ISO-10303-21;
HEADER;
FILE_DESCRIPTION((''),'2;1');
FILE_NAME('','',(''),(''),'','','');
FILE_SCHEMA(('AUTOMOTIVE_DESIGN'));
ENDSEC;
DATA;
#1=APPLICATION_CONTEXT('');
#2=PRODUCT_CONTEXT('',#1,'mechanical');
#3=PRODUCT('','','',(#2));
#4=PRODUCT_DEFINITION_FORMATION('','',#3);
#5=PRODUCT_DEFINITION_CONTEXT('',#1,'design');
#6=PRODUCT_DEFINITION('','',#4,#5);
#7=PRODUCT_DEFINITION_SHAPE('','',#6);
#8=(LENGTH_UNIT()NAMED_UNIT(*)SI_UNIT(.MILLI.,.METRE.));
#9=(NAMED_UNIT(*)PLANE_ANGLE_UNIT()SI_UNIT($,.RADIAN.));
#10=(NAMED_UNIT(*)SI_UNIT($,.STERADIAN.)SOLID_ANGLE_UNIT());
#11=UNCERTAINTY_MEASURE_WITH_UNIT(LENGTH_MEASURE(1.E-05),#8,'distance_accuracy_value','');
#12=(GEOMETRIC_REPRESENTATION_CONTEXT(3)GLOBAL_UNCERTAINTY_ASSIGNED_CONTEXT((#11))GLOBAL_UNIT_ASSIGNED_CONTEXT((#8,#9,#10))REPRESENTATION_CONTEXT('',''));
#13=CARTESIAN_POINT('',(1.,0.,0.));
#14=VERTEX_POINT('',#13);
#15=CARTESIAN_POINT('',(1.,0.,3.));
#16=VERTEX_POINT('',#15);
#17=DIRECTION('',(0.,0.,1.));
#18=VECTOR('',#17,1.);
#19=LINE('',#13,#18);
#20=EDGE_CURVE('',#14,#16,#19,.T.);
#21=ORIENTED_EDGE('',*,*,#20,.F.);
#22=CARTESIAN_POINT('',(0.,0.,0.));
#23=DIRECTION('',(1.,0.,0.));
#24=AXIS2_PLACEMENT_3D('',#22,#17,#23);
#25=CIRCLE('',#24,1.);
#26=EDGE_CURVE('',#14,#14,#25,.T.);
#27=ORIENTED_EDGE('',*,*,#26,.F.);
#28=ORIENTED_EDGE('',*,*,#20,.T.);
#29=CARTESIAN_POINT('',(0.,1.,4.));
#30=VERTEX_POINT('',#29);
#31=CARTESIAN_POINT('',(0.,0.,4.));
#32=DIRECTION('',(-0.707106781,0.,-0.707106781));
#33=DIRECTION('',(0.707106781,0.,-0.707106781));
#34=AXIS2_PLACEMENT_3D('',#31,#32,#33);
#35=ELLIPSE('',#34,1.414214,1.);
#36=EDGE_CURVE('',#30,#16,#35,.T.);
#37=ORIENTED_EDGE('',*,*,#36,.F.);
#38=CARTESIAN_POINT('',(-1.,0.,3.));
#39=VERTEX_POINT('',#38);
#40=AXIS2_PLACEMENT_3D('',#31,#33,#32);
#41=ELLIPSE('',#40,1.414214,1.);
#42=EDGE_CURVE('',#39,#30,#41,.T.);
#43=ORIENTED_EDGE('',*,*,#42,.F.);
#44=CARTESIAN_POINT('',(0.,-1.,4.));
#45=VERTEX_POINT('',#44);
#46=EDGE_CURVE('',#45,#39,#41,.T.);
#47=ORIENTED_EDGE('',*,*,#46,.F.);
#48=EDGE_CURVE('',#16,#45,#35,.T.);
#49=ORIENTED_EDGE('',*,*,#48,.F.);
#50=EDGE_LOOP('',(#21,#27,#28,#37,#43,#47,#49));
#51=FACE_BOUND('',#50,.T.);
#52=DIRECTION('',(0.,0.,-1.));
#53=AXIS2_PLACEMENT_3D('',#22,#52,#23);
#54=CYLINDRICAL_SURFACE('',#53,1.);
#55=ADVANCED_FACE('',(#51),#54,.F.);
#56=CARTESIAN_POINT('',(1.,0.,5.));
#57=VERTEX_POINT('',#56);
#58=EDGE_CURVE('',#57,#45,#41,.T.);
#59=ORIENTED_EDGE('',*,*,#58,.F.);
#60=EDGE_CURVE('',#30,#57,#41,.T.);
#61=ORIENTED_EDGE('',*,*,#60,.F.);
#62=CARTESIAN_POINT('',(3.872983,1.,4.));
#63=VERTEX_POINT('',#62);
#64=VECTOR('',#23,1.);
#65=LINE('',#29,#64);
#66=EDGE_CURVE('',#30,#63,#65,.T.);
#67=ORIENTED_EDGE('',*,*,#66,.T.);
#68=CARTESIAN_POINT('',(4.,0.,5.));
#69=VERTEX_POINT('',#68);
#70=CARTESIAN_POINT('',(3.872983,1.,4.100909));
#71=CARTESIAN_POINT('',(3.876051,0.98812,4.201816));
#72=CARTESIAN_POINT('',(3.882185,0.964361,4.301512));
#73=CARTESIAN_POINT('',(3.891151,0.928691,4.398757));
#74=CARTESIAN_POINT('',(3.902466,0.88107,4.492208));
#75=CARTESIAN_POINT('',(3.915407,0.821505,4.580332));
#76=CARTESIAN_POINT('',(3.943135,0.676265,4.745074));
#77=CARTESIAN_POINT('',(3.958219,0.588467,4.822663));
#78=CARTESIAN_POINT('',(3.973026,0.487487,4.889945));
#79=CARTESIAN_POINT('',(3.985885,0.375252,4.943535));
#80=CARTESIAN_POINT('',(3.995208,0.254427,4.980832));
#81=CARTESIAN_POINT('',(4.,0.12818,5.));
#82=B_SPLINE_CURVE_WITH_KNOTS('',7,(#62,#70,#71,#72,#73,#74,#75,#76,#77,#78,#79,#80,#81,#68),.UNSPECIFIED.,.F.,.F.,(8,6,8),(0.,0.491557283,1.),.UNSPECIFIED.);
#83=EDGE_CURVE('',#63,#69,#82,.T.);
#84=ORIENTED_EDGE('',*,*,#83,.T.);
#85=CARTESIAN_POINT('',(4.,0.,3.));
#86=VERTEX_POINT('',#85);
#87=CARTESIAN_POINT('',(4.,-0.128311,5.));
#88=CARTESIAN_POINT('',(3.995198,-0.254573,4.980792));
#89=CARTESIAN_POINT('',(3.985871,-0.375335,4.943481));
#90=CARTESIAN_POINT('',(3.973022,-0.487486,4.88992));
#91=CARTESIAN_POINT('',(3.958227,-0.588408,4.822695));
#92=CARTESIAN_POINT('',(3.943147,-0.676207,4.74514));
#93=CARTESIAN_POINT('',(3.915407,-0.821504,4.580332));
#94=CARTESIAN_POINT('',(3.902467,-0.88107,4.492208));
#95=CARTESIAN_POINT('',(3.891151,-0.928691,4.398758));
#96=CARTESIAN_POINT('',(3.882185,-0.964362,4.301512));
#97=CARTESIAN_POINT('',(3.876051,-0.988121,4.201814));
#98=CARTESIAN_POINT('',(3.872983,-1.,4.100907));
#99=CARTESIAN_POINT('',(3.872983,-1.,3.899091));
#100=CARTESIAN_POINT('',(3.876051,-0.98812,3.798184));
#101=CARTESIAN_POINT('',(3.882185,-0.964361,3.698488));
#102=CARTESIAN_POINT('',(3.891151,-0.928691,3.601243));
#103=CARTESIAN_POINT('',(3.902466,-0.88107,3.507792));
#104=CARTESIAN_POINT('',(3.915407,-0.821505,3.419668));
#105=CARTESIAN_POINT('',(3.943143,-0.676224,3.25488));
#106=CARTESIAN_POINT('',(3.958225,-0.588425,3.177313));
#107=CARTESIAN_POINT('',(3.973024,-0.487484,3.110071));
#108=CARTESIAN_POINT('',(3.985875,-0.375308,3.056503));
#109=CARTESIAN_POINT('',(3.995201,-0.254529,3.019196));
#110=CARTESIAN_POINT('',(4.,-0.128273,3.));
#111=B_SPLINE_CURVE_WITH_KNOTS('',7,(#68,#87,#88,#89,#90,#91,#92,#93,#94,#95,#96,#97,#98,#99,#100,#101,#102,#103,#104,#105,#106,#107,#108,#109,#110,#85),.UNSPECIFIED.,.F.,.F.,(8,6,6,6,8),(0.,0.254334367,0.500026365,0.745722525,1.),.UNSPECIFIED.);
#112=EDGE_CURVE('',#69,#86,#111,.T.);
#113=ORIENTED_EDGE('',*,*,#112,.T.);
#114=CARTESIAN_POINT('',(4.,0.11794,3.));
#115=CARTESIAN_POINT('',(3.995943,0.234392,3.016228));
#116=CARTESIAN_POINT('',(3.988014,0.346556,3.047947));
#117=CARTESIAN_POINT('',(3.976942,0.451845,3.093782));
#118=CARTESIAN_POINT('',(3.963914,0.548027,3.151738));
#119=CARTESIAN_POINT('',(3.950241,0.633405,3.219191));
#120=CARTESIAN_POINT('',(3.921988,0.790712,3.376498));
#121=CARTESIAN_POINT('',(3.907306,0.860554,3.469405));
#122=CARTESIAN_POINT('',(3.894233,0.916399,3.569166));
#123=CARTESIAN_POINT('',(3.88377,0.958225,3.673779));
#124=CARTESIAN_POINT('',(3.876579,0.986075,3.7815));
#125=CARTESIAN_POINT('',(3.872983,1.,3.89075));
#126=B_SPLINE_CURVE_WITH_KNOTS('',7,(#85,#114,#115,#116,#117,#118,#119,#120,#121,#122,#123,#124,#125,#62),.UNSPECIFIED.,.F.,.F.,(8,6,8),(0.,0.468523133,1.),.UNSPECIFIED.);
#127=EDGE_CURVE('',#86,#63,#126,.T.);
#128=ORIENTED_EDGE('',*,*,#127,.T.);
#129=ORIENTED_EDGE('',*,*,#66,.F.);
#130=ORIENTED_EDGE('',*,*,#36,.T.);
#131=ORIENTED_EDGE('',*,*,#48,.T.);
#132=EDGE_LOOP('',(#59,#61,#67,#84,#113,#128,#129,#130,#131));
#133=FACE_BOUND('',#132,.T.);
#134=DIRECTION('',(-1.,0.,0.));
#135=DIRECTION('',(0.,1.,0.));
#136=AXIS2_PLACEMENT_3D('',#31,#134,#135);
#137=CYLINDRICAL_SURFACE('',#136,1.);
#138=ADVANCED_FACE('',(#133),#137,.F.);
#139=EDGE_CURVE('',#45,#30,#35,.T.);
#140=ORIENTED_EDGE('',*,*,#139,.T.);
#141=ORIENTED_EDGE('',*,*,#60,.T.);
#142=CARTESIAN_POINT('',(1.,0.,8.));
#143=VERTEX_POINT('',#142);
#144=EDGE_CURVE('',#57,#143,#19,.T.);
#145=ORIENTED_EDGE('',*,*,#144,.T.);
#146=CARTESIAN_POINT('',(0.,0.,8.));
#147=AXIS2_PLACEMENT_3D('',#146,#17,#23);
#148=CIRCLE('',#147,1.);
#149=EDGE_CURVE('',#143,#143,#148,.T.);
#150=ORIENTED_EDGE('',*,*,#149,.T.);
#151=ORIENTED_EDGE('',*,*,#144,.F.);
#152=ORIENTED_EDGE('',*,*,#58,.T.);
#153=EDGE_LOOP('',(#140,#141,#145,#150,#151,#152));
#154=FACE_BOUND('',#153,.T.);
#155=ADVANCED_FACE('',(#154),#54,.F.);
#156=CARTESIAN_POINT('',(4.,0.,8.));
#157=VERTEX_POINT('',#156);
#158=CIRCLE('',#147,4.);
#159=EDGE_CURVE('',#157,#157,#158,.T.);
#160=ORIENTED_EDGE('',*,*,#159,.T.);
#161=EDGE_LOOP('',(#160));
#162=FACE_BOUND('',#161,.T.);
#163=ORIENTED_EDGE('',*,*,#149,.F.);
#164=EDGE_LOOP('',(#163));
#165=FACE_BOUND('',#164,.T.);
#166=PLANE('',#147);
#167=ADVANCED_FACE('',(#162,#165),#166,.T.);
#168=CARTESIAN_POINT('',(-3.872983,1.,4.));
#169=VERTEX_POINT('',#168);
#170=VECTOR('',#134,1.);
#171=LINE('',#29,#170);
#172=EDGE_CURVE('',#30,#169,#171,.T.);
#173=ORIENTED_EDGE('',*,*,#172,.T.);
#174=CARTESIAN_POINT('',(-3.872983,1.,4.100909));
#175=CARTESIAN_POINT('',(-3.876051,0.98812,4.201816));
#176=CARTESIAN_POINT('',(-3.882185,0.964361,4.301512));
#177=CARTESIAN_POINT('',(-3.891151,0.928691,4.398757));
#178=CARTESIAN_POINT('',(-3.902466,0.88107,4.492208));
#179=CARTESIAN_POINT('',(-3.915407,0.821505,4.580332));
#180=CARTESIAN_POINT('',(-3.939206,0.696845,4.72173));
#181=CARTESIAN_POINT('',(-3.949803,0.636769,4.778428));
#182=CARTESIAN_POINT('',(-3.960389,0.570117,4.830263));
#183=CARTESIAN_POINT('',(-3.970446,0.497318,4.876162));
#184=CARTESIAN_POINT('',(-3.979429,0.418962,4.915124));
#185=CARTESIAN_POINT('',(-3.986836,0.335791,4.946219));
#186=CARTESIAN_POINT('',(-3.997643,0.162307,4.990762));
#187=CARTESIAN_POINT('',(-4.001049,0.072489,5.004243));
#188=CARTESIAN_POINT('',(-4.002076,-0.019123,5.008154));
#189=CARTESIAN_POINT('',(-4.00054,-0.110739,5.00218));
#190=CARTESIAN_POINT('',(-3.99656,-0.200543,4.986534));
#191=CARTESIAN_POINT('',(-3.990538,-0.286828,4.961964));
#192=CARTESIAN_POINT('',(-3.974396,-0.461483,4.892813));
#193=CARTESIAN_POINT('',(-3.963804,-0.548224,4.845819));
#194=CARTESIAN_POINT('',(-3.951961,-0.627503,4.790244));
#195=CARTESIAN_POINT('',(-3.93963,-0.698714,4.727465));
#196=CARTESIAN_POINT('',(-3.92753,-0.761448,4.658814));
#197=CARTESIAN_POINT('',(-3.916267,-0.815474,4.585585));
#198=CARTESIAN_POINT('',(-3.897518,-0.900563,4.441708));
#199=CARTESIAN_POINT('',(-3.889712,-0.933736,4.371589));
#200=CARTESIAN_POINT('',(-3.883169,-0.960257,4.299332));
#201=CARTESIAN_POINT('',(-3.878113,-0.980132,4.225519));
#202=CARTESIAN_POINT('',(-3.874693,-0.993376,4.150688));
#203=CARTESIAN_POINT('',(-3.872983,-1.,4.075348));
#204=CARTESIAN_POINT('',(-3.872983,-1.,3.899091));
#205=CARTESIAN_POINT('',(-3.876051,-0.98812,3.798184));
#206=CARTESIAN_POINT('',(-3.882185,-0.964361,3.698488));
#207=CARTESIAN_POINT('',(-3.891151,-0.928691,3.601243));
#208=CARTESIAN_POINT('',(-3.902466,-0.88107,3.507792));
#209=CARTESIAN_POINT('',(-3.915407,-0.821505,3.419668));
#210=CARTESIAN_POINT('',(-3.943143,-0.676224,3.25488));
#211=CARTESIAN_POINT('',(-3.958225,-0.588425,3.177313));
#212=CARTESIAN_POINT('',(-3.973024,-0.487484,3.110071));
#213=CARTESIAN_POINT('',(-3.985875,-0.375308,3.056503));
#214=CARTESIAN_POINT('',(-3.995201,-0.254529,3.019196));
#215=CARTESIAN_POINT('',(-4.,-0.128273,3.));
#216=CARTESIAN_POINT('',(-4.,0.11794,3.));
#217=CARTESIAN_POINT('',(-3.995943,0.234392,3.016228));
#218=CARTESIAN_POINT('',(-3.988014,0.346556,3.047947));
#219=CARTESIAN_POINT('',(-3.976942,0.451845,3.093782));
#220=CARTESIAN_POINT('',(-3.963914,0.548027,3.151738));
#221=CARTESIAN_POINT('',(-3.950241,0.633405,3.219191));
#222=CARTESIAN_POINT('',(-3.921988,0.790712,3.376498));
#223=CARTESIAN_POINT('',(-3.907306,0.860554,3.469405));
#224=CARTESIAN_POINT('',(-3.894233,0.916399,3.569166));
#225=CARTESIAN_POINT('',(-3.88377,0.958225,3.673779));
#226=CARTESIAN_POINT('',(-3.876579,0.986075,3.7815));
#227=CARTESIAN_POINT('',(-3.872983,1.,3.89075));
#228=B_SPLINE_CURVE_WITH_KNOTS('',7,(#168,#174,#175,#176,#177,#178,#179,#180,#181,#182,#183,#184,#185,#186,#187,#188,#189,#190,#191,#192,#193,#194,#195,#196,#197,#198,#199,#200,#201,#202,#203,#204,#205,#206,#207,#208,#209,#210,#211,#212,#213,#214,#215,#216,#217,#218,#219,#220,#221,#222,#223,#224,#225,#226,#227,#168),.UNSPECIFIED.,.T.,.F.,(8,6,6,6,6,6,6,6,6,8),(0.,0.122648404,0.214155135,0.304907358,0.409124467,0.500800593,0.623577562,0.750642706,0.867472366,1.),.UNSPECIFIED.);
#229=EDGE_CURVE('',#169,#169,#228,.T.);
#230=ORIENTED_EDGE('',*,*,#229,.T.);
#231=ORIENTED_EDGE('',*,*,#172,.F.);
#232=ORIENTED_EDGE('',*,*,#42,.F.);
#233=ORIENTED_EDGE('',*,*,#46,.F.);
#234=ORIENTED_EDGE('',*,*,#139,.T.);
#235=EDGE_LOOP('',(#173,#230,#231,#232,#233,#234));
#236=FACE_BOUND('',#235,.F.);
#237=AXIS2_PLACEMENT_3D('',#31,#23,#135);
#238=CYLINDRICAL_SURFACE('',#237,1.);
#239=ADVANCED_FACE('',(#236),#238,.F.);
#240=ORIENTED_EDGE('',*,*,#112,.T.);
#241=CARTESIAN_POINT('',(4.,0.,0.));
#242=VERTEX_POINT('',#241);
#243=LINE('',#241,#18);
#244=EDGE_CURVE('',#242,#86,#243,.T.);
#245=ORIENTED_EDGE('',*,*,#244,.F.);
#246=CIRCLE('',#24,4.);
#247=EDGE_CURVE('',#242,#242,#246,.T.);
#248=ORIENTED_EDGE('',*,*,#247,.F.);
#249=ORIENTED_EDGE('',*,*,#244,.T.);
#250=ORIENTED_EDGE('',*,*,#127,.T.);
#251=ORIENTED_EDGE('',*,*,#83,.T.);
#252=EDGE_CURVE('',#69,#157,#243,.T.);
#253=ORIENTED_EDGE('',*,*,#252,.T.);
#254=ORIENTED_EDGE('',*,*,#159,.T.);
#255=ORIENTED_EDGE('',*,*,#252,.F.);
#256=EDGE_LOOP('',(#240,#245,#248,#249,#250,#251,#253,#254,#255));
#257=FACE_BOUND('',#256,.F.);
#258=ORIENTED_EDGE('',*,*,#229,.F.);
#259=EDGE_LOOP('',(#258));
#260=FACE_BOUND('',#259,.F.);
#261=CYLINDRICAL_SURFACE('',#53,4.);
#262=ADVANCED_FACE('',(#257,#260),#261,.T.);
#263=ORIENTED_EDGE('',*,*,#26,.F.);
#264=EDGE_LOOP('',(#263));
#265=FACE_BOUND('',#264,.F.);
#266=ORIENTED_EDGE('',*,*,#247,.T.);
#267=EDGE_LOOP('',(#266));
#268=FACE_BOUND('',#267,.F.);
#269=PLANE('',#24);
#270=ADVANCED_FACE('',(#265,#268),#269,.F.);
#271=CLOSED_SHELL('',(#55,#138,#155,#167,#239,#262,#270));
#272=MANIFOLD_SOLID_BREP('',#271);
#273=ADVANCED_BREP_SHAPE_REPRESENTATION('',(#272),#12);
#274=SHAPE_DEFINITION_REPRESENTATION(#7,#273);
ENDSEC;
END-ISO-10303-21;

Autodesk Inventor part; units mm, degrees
ref_plane "YZ Plane" through (0, 0, 0) normal (1, 0, 0) x (0, 1, 0)
ref_plane "XZ Plane" through (0, 0, 0) normal (0, 1, 0) x (-1, 0, 0)
ref_plane "XY Plane" through (0, 0, 0) normal (0, 0, 1) x (1, 0, 0)
sketch "Sketch1" plane through (0, 0, 0) normal (0, 0, 1) x (1, 0, 0)
  circle A0 centre (0, 0) radius 4
  circle A1 centre (0, 0) radius 1
  dimension "d0" = 8
  dimension "d1" = 2
extrude "Extrusion1" add sketch "Sketch1" along normal blind 8
sketch "Sketch2" plane through (0, 0, 0) normal (1, 0, 0) x (0, 1, 0)
  circle A0 centre (0, 4) radius 1
  line L0 (4, 0) -> (4, 8) projected
  line L1 (-4, 0) -> (4, 0) projected
  point P0 (0, 0)
  point P1 (4, 4)
  dimension "d4" = 2
extrude "Extrusion2" cut sketch "Sketch2" along normal through all both and the other way through all
properties part number "P2" material "Steel"
